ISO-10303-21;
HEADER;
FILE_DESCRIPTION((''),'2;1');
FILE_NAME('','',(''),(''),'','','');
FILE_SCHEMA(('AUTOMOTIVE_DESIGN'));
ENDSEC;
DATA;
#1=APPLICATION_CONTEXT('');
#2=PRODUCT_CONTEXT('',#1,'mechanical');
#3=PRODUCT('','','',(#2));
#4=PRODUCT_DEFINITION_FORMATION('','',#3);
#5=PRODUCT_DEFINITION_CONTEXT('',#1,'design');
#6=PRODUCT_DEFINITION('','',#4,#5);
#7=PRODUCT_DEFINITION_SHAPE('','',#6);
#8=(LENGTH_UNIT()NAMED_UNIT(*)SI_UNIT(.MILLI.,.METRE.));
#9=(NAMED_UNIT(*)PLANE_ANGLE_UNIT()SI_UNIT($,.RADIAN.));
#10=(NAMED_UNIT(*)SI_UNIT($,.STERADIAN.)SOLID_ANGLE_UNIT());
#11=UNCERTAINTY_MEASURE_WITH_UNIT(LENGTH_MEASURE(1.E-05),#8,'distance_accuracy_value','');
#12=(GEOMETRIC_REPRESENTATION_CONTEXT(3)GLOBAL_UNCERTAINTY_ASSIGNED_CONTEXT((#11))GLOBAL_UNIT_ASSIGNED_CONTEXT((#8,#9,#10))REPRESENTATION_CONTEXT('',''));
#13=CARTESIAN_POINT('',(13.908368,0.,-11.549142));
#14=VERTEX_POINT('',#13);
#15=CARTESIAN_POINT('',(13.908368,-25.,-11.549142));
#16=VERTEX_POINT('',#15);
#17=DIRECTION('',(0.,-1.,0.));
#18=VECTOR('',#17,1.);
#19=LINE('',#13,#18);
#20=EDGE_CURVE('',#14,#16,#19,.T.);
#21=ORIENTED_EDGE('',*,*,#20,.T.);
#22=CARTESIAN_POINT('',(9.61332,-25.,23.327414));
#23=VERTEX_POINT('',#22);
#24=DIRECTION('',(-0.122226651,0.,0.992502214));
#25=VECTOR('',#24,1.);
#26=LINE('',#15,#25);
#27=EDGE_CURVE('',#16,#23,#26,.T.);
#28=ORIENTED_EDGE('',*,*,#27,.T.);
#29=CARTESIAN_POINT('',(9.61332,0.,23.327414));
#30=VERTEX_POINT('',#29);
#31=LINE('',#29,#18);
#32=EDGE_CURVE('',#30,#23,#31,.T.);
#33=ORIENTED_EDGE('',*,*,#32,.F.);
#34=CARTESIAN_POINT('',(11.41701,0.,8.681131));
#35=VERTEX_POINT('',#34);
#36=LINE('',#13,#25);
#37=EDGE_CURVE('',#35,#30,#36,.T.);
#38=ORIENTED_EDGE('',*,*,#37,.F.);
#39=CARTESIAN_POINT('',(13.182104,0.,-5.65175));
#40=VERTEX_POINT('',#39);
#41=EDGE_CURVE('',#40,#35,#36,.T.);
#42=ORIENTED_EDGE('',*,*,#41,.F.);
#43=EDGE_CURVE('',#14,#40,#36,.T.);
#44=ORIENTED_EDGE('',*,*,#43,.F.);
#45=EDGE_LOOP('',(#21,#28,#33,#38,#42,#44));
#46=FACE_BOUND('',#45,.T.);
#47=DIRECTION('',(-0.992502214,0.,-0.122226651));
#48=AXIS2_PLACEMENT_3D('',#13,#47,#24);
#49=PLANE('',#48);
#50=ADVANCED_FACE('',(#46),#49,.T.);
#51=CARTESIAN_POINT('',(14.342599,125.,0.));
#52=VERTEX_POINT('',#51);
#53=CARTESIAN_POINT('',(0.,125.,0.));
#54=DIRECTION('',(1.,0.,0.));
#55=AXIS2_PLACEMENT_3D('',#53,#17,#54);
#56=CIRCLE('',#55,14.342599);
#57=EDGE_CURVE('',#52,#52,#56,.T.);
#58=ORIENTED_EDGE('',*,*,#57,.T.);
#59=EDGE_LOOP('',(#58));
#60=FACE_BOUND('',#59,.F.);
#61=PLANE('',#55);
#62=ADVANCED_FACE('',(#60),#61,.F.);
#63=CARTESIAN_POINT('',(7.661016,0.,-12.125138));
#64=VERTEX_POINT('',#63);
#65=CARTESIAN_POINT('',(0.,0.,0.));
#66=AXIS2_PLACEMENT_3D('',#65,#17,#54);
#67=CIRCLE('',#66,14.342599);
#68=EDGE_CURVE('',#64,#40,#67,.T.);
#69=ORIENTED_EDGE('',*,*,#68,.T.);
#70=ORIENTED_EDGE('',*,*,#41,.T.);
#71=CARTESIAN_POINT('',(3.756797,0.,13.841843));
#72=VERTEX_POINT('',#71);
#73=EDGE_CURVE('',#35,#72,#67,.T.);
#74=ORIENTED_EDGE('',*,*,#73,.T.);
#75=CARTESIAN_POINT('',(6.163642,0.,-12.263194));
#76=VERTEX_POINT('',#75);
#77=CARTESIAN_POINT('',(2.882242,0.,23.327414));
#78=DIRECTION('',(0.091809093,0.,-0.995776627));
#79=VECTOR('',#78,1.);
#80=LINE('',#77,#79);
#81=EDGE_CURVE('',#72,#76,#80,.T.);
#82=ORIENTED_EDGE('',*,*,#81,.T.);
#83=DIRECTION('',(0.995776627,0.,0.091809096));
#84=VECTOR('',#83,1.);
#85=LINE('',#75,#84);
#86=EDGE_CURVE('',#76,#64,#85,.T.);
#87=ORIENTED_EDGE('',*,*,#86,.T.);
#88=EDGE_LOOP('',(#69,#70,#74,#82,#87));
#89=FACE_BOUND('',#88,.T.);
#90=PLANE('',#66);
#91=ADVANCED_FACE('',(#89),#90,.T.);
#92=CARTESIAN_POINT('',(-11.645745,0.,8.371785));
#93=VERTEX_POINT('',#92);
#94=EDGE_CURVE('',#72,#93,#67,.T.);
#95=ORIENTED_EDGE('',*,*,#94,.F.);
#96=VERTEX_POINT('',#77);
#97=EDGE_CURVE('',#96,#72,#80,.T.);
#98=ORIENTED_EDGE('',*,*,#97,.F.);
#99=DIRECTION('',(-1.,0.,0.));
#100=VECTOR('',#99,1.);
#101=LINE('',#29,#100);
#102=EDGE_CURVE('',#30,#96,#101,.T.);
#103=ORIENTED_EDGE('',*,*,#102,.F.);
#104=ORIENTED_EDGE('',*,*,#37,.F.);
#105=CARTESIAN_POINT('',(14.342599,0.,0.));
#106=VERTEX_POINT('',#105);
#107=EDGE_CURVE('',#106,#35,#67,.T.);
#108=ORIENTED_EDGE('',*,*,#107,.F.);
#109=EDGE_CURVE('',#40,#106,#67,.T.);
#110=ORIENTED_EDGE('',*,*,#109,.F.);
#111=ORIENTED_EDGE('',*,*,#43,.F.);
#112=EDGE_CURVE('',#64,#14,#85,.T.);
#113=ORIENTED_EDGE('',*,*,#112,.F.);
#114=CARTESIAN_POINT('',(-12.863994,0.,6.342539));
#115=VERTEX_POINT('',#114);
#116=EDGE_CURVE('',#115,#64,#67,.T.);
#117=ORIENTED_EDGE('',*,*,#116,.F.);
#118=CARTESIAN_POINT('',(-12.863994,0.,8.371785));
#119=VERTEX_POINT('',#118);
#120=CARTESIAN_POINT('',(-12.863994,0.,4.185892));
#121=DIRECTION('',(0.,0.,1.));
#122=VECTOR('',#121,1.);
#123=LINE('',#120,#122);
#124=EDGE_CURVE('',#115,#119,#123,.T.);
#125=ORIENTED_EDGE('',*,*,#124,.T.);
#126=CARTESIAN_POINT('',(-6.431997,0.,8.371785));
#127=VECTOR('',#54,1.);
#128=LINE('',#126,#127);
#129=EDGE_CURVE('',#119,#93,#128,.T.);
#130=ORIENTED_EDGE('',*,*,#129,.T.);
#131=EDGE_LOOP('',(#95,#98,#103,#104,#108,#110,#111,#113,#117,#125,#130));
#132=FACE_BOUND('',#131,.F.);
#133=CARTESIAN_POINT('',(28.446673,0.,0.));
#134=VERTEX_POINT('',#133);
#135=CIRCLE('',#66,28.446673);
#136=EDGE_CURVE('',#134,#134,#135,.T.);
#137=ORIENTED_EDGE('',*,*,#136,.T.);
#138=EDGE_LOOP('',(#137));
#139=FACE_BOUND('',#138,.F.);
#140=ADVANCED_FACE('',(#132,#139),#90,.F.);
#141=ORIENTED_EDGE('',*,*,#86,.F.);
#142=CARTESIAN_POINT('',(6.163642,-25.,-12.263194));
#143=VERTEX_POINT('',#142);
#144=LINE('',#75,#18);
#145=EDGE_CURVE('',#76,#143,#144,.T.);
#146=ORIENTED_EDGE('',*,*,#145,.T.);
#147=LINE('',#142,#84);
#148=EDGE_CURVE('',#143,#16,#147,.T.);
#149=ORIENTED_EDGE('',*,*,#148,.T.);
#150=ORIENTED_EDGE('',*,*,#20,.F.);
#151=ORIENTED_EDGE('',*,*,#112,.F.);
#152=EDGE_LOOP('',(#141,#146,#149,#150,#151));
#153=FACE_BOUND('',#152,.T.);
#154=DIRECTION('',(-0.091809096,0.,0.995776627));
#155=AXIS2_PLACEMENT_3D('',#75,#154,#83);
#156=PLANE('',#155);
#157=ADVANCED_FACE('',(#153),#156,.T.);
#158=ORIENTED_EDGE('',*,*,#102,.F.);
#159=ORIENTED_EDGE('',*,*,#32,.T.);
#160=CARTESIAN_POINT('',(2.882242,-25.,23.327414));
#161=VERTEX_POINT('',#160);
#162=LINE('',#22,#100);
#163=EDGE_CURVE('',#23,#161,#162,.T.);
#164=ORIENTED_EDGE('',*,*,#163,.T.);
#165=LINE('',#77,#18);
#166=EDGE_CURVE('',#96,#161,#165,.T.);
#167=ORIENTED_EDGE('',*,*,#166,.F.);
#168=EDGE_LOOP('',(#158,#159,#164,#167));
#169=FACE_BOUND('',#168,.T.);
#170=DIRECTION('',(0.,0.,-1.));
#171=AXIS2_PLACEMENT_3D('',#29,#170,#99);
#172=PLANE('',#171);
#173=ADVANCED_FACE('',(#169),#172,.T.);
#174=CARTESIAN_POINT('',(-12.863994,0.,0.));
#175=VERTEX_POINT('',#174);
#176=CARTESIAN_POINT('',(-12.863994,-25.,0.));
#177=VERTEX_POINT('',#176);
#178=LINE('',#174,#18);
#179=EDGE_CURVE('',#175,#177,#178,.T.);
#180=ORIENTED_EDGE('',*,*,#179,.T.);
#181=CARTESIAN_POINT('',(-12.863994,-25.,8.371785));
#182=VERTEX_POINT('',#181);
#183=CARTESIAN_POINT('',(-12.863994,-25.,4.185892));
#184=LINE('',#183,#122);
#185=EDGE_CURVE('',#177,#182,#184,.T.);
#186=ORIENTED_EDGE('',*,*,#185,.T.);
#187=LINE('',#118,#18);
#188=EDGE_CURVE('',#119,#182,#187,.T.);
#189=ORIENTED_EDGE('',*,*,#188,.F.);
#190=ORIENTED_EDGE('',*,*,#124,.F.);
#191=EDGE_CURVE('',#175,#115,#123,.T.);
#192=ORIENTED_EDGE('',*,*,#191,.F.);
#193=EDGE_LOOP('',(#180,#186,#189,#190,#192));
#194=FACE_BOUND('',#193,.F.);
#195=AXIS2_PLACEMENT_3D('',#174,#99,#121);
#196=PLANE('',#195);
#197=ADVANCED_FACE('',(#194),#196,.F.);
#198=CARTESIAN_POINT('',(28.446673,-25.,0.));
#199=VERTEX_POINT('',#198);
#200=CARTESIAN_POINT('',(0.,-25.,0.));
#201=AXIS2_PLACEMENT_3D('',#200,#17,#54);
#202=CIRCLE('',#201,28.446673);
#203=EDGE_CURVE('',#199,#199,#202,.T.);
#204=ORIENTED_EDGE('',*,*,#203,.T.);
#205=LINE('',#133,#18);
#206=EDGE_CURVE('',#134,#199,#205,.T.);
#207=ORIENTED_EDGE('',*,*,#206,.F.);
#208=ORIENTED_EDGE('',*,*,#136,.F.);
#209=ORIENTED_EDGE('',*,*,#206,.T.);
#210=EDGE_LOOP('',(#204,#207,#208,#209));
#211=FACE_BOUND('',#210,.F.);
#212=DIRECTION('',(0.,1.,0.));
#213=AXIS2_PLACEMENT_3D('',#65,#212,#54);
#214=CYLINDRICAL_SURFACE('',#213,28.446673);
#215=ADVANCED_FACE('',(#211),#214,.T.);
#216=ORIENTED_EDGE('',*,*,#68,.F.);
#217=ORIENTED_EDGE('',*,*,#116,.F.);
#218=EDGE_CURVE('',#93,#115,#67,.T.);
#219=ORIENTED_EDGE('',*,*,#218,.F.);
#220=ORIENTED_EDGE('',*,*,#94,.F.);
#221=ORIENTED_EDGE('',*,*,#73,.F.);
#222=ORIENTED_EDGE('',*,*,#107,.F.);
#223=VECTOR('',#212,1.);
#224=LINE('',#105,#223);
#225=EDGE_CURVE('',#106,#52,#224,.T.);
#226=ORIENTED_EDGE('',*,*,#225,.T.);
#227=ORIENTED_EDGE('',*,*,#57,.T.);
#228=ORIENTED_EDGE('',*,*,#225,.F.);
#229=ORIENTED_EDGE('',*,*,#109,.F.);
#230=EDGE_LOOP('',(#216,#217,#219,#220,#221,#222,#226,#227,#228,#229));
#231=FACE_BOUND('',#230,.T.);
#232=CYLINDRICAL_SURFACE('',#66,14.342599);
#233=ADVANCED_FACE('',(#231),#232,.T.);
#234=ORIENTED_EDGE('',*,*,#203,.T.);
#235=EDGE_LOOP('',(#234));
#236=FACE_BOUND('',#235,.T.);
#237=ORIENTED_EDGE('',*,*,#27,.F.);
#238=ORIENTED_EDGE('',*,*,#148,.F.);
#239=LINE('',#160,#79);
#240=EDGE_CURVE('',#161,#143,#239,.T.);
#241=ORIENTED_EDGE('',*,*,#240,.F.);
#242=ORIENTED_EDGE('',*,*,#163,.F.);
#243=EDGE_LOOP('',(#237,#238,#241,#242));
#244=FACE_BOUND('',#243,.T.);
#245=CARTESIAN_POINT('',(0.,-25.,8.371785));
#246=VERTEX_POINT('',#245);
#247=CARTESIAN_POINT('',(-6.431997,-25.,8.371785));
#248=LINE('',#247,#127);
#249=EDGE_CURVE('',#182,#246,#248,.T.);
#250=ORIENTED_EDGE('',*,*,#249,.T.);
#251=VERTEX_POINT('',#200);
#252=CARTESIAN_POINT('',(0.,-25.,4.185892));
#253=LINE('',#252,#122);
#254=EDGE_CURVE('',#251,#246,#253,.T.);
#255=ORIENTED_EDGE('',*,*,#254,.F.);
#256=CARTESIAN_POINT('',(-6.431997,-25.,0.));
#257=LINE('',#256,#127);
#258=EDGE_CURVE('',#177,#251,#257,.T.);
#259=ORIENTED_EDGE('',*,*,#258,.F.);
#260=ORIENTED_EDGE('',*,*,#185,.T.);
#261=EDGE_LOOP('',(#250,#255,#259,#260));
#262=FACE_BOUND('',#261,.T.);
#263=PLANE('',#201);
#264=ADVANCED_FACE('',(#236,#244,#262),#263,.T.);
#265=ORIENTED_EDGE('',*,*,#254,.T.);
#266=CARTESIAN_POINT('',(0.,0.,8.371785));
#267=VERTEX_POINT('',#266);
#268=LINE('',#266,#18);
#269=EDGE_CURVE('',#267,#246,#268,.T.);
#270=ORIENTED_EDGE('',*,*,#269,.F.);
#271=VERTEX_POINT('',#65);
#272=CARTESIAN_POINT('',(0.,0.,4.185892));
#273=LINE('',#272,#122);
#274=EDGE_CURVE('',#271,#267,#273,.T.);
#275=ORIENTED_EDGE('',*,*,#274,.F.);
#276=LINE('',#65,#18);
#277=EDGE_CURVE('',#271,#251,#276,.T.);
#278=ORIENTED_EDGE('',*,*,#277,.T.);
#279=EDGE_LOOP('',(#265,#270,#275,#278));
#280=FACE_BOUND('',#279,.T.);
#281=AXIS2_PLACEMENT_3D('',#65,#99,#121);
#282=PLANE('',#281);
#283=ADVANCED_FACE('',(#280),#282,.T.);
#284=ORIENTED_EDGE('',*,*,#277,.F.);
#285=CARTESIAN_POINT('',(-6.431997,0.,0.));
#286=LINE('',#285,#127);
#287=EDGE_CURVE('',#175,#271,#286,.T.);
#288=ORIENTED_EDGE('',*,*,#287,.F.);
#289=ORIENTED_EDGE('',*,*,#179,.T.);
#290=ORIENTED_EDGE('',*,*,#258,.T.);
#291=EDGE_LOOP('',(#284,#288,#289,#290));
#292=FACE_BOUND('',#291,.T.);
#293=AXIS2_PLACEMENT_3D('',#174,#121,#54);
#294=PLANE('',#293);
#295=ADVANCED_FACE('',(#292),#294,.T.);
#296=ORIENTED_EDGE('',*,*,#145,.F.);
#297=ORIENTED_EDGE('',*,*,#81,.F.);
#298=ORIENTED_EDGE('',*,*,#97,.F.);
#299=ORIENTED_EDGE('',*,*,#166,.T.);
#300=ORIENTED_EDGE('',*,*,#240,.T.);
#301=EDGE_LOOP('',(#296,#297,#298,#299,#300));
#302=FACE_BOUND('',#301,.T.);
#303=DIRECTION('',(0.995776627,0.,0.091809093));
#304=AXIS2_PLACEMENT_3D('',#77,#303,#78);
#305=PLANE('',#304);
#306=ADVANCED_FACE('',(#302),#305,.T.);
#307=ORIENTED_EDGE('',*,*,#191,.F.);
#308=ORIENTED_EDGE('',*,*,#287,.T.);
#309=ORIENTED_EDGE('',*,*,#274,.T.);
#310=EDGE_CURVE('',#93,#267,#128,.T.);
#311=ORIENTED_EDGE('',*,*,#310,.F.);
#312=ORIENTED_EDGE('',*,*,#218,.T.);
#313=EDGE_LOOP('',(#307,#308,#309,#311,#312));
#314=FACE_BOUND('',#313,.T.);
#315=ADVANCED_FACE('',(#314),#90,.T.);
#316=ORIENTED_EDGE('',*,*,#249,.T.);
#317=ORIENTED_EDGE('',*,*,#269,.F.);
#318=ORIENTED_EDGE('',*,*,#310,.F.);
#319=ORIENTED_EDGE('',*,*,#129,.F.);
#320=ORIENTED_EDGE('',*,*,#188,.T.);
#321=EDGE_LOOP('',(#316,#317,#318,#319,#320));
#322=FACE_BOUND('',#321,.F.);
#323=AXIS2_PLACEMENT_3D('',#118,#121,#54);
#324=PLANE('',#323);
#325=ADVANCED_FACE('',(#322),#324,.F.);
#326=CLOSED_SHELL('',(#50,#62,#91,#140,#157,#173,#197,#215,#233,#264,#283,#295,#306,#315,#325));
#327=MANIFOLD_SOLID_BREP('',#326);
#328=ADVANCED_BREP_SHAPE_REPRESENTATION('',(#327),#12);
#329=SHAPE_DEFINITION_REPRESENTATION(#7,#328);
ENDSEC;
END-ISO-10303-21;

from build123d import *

# Parameters (mm, degrees)
F0_R     = 28.446673
F1_DEPTH = 25
F2_W     = 12.863994
F2_H     = 8.371785
F3_DEPTH = 25
F5_DEPTH = 25
F6_R     = 14.342599
F7_DEPTH = 125


with BuildPart() as f1:
    # F0 (on Front) → F1 (new body)
    with BuildSketch(Plane.XZ):
        Circle(F0_R)
    extrude(amount=F1_DEPTH)

    # F2 (on Front) → F3 (cut)
    with BuildSketch(Plane.XZ):
        with Locations((-6.431997, 4.185892)):
            Rectangle(F2_W, F2_H)
    extrude(amount=F3_DEPTH, mode=Mode.SUBTRACT)

    # F4 (on Front) → F5 (cut)
    with BuildSketch(Plane.XZ):
        Polygon((13.908368, -11.549142), (9.61332, 23.327414), (2.882242, 23.327414), (6.163642, -12.263194), align=None)
    extrude(amount=F5_DEPTH, mode=Mode.SUBTRACT)

    # F6 (on Front) → F7 (join)
    with BuildSketch(Plane.XZ):
        Circle(F6_R)
    extrude(amount=-F7_DEPTH)


solid = f1.part
